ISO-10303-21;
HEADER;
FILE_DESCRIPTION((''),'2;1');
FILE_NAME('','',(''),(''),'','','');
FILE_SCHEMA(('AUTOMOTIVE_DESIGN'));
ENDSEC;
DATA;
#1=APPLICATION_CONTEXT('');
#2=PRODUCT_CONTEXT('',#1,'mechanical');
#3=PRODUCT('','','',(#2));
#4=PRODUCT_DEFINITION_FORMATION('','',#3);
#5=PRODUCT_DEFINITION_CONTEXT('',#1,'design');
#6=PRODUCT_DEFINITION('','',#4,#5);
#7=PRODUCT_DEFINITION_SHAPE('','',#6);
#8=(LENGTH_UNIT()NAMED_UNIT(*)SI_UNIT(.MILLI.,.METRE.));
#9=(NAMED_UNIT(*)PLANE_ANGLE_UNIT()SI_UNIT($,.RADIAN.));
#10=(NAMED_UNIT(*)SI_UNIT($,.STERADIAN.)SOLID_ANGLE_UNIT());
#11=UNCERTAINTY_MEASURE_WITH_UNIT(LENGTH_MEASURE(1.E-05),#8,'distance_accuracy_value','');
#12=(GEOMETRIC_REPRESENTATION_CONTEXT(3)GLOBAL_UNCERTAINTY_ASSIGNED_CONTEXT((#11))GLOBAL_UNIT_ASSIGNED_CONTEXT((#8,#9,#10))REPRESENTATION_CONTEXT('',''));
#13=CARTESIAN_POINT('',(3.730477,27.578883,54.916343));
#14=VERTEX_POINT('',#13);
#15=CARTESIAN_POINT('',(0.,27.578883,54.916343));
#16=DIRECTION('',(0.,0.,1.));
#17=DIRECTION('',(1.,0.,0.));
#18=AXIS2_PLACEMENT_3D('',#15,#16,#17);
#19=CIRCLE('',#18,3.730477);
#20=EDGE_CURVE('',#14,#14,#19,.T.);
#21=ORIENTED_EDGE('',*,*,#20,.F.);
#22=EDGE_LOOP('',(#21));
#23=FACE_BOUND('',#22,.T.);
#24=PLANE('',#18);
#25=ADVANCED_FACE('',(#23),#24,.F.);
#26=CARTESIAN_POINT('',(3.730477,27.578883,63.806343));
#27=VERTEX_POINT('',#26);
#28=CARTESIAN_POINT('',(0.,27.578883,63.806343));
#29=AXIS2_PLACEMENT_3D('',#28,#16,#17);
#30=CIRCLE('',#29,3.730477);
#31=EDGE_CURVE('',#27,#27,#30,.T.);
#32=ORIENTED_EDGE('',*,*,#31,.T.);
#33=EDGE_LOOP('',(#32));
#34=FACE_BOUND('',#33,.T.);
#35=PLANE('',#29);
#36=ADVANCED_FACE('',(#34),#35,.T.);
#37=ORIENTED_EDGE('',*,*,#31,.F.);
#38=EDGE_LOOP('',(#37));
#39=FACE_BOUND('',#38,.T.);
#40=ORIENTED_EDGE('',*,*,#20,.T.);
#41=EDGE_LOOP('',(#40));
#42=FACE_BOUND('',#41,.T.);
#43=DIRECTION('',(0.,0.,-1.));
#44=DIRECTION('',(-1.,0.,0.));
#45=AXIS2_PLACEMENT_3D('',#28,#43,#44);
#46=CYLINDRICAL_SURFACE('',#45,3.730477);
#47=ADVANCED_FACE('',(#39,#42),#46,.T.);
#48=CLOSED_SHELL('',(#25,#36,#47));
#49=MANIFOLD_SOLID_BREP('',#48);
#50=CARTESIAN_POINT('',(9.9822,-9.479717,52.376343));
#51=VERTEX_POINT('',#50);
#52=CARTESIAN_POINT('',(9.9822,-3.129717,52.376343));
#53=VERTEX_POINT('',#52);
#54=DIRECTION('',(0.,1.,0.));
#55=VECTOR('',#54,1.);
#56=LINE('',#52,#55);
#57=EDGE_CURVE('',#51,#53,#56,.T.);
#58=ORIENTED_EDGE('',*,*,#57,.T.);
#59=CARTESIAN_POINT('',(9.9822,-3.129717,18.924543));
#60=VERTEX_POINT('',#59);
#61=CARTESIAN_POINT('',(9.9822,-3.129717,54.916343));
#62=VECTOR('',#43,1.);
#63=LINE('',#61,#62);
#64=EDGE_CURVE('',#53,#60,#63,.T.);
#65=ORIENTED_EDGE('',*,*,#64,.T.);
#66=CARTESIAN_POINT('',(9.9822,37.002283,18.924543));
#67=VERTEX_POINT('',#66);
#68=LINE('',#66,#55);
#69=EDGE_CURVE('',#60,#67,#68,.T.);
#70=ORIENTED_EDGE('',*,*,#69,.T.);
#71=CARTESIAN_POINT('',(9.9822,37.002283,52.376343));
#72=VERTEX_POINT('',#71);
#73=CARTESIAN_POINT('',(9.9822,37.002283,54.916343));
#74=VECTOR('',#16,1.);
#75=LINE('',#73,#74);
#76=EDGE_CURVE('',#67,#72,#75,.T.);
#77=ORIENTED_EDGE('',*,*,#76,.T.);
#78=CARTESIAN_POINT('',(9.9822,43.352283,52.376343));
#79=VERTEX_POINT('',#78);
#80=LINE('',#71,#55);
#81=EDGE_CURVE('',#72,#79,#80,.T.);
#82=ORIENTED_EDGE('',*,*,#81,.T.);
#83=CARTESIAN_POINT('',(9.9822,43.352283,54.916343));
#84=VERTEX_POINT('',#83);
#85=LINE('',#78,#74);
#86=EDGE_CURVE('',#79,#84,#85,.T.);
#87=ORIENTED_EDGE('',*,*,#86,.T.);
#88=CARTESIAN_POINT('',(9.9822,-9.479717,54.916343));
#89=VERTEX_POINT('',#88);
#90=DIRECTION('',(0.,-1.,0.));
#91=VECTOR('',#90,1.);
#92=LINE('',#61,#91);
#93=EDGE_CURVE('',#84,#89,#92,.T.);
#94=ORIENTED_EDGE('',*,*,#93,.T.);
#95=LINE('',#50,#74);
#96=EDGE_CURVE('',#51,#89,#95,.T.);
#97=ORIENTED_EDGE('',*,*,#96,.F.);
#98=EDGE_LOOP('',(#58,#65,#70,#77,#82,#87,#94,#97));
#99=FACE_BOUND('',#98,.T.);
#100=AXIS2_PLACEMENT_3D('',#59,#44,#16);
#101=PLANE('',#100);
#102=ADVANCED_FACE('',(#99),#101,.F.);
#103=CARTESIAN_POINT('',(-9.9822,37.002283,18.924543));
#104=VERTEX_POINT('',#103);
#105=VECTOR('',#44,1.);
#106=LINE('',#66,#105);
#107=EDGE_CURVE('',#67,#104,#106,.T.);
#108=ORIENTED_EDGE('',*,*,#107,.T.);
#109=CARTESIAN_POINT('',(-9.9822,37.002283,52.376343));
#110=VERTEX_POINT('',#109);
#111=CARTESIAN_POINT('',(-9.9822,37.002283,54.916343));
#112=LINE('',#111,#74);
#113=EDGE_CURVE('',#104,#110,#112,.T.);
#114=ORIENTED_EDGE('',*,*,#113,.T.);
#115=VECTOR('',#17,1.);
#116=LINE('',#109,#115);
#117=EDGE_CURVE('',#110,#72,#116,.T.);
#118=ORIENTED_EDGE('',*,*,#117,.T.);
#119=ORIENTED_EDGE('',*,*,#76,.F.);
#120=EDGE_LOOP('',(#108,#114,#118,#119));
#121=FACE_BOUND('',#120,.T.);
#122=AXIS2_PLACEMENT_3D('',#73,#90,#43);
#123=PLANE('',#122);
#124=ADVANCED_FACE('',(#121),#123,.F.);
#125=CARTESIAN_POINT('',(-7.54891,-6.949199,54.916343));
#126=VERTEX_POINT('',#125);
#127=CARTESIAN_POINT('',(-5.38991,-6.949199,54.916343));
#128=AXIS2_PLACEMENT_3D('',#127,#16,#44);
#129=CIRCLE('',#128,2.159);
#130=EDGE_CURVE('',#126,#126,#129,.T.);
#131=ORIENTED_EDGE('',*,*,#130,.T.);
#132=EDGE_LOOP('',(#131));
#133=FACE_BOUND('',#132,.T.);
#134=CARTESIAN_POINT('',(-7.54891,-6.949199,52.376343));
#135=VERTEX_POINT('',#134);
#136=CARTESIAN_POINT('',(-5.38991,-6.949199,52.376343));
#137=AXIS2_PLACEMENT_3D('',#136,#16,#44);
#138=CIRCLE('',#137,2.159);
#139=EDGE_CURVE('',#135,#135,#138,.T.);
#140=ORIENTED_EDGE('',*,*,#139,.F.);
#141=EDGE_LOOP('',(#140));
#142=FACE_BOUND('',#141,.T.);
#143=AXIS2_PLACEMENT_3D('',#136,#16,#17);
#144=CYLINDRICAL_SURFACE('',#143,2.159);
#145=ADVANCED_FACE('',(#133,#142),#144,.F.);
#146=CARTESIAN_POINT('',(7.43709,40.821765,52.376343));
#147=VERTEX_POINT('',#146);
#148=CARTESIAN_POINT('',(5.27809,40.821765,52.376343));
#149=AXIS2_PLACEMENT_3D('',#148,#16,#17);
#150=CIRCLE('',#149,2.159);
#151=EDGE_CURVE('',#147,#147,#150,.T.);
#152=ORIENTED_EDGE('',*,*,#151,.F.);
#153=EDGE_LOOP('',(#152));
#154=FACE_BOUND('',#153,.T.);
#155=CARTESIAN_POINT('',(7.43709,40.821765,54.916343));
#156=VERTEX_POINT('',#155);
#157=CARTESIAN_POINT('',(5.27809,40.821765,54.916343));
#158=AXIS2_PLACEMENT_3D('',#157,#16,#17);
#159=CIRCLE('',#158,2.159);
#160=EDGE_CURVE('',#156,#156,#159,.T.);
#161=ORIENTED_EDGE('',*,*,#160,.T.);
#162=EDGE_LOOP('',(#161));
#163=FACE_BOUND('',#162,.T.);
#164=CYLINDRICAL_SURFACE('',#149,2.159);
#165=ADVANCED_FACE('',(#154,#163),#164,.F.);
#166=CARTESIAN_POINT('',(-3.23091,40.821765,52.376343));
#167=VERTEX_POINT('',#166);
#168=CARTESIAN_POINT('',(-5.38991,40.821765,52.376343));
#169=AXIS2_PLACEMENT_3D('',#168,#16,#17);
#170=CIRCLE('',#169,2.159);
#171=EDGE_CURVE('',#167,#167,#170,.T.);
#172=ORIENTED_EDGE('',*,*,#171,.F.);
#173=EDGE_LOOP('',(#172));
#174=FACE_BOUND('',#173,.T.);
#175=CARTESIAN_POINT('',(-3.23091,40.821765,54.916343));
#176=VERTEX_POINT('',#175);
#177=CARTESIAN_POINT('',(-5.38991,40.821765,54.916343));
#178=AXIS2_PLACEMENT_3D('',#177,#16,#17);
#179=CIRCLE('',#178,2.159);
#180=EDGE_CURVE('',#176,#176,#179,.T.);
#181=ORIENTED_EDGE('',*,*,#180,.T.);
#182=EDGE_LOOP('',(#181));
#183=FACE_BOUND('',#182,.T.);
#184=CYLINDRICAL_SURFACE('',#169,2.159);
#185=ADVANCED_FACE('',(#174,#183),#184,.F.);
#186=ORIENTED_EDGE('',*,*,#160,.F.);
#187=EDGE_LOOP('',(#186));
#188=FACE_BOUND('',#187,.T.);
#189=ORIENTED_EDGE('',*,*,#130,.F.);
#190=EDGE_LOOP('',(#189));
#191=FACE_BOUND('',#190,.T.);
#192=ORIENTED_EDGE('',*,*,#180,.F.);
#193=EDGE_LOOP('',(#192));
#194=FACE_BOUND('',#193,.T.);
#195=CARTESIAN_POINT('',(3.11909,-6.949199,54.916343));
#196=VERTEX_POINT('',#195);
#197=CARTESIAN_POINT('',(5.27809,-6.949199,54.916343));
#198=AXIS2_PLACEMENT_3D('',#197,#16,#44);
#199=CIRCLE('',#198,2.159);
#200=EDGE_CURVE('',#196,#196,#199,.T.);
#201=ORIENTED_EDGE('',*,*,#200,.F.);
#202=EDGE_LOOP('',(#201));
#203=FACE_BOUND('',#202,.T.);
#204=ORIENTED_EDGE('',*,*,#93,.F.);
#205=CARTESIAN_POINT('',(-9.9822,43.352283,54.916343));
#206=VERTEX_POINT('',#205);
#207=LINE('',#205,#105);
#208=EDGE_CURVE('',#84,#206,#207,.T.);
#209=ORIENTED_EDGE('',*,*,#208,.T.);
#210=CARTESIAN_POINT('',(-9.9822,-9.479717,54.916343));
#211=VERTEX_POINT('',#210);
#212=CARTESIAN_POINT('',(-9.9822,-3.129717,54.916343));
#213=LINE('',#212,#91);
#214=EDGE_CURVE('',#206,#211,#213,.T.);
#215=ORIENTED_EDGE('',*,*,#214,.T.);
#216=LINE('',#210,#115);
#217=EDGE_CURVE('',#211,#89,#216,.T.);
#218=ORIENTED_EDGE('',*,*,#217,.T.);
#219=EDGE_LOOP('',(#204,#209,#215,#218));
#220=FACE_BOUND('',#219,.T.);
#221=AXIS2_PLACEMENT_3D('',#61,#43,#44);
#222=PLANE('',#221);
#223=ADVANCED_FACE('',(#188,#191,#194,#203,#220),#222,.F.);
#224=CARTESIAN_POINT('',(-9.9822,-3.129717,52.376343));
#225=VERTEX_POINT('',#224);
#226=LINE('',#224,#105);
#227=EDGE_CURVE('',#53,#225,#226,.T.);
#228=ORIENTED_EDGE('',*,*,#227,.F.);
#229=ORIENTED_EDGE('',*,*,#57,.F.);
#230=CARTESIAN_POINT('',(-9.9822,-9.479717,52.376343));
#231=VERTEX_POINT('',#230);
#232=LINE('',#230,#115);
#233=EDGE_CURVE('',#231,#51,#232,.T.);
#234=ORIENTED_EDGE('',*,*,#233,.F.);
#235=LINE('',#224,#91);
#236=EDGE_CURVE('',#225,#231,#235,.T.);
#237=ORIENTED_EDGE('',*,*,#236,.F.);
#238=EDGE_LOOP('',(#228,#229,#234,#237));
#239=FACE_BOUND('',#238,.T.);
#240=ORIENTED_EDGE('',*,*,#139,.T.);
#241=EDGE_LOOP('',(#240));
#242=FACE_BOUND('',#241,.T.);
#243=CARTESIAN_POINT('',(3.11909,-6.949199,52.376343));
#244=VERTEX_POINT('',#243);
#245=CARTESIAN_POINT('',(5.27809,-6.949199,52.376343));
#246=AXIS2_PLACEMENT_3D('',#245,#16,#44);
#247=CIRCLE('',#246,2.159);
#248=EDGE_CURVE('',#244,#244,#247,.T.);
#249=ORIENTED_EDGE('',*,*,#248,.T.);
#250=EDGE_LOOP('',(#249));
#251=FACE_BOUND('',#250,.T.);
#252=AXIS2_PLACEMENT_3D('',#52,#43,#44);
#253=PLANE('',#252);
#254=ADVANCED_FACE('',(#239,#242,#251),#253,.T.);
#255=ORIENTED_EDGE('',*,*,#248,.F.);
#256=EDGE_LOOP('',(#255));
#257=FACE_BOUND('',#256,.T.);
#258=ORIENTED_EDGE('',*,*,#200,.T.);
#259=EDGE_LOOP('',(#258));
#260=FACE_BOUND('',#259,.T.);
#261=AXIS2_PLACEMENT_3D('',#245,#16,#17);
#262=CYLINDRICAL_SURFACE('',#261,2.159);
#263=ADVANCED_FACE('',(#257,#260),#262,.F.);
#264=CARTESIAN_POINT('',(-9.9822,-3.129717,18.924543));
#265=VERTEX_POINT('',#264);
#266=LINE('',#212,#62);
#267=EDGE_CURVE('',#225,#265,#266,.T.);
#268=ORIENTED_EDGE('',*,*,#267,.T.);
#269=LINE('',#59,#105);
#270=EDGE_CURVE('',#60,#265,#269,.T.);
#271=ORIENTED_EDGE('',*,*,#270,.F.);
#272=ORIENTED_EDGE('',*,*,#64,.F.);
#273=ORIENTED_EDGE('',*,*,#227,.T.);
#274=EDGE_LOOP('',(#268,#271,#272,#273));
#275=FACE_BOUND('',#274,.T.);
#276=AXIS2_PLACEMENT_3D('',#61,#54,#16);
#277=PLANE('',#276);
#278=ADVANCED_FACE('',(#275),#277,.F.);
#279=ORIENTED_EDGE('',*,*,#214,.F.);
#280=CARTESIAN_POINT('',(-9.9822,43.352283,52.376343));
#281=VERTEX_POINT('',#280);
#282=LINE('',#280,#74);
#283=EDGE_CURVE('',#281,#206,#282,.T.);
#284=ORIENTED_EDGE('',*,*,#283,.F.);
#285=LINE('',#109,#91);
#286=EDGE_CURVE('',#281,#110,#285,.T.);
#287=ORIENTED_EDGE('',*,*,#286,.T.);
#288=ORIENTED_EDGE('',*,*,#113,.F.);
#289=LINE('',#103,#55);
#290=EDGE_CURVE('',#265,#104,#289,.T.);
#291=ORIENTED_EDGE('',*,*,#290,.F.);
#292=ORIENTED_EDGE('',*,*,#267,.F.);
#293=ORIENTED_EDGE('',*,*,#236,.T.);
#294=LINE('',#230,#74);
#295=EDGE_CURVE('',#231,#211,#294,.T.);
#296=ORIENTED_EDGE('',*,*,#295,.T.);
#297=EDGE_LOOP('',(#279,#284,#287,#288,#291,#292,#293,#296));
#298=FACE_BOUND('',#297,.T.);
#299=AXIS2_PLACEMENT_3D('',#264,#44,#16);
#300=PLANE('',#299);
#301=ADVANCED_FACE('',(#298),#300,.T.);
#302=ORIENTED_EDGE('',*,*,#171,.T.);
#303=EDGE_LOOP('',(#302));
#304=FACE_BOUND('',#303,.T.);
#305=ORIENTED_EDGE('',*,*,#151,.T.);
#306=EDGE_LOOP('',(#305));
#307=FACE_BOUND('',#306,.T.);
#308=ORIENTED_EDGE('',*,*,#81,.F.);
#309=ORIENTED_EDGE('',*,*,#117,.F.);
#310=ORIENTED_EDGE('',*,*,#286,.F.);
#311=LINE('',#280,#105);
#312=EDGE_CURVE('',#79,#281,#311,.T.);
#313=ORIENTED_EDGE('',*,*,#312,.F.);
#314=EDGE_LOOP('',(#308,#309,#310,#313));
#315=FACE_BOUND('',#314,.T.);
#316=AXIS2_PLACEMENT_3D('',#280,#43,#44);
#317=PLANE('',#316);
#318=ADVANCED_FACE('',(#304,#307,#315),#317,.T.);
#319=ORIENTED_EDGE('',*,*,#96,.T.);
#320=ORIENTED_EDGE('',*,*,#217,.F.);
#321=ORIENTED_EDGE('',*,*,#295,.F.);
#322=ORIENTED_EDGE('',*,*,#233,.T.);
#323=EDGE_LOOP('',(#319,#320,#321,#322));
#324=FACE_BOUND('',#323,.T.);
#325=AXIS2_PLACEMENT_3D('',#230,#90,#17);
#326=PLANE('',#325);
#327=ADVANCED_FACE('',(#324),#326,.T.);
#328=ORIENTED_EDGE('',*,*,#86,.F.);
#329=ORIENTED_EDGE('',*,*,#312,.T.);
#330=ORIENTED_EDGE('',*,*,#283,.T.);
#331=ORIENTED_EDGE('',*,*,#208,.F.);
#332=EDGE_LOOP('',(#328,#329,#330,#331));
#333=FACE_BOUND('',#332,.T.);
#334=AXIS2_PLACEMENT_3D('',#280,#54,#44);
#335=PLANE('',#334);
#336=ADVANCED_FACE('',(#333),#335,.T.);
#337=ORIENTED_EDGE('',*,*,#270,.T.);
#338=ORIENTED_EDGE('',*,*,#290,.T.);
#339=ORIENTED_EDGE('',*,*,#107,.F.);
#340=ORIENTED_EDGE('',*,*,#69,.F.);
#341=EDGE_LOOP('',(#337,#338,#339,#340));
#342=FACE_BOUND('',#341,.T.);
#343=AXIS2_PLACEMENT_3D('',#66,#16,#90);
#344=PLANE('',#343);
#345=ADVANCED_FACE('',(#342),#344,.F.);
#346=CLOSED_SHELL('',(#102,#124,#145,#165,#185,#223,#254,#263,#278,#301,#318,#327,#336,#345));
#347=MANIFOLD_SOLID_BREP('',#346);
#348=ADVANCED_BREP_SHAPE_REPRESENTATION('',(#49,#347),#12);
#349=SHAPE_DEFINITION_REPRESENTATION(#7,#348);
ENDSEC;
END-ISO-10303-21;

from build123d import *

# Parameters (mm, degrees)
SKETCH1_W      = 35.9918
SKETCH1_H      = 40.132
EXTRUDE1_DEPTH = 9.9822
SKETCH2_R      = 3.730476731
EXTRUDE2_DEPTH = 8.89
SKETCH5_W      = 19.9644
SKETCH5_H      = 6.35
SKETCH5_R      = 2.159
EXTRUDE5_DEPTH = 2.54


with BuildPart() as part:
    # Sketch1 → Extrude1 (new, symmetric)
    with BuildSketch(Plane(origin=(0, 0, 0), x_dir=(0, 0, -1), z_dir=(1, 0, 0))):
        with Locations((-36.920443218, 16.936283292)):
            Rectangle(SKETCH1_W, SKETCH1_H)
    extrude(amount=EXTRUDE1_DEPTH, both=True)

    # Sketch5 → Extrude5 (add)
    # profile 1 of 2: a face of its own
    with BuildSketch(Plane.XY.offset(54.916343218)):
        with Locations((0, 40.177283292)):
            Rectangle(SKETCH5_W, SKETCH5_H)
        with Locations((5.278089528, 40.821765348)):
            Circle(SKETCH5_R, mode=Mode.SUBTRACT)
        with Locations((-5.389910472, 40.821765348)):
            Circle(SKETCH5_R, mode=Mode.SUBTRACT)
    # profile 2 of 2: a face of its own
    with BuildSketch(Plane.XY.offset(54.916343218)):
        with Locations((0, -6.304716708)):
            Rectangle(SKETCH5_W, SKETCH5_H)
        with Locations(Location((-5.389910472, -6.949198764, 0), (0, 0, 180))):
            Circle(SKETCH5_R, mode=Mode.SUBTRACT)
        with Locations(Location((5.278089528, -6.949198764, 0), (0, 0, 180))):
            Circle(SKETCH5_R, mode=Mode.SUBTRACT)
    extrude(amount=-EXTRUDE5_DEPTH)


with BuildPart() as body_2:
    # Sketch2 → Extrude2 (new body)
    with BuildSketch(Plane.XY.offset(54.916343218)):
        with Locations((0, 27.578883292)):
            Circle(SKETCH2_R)
    extrude(amount=EXTRUDE2_DEPTH)


solid = Compound([part.part, body_2.part])
